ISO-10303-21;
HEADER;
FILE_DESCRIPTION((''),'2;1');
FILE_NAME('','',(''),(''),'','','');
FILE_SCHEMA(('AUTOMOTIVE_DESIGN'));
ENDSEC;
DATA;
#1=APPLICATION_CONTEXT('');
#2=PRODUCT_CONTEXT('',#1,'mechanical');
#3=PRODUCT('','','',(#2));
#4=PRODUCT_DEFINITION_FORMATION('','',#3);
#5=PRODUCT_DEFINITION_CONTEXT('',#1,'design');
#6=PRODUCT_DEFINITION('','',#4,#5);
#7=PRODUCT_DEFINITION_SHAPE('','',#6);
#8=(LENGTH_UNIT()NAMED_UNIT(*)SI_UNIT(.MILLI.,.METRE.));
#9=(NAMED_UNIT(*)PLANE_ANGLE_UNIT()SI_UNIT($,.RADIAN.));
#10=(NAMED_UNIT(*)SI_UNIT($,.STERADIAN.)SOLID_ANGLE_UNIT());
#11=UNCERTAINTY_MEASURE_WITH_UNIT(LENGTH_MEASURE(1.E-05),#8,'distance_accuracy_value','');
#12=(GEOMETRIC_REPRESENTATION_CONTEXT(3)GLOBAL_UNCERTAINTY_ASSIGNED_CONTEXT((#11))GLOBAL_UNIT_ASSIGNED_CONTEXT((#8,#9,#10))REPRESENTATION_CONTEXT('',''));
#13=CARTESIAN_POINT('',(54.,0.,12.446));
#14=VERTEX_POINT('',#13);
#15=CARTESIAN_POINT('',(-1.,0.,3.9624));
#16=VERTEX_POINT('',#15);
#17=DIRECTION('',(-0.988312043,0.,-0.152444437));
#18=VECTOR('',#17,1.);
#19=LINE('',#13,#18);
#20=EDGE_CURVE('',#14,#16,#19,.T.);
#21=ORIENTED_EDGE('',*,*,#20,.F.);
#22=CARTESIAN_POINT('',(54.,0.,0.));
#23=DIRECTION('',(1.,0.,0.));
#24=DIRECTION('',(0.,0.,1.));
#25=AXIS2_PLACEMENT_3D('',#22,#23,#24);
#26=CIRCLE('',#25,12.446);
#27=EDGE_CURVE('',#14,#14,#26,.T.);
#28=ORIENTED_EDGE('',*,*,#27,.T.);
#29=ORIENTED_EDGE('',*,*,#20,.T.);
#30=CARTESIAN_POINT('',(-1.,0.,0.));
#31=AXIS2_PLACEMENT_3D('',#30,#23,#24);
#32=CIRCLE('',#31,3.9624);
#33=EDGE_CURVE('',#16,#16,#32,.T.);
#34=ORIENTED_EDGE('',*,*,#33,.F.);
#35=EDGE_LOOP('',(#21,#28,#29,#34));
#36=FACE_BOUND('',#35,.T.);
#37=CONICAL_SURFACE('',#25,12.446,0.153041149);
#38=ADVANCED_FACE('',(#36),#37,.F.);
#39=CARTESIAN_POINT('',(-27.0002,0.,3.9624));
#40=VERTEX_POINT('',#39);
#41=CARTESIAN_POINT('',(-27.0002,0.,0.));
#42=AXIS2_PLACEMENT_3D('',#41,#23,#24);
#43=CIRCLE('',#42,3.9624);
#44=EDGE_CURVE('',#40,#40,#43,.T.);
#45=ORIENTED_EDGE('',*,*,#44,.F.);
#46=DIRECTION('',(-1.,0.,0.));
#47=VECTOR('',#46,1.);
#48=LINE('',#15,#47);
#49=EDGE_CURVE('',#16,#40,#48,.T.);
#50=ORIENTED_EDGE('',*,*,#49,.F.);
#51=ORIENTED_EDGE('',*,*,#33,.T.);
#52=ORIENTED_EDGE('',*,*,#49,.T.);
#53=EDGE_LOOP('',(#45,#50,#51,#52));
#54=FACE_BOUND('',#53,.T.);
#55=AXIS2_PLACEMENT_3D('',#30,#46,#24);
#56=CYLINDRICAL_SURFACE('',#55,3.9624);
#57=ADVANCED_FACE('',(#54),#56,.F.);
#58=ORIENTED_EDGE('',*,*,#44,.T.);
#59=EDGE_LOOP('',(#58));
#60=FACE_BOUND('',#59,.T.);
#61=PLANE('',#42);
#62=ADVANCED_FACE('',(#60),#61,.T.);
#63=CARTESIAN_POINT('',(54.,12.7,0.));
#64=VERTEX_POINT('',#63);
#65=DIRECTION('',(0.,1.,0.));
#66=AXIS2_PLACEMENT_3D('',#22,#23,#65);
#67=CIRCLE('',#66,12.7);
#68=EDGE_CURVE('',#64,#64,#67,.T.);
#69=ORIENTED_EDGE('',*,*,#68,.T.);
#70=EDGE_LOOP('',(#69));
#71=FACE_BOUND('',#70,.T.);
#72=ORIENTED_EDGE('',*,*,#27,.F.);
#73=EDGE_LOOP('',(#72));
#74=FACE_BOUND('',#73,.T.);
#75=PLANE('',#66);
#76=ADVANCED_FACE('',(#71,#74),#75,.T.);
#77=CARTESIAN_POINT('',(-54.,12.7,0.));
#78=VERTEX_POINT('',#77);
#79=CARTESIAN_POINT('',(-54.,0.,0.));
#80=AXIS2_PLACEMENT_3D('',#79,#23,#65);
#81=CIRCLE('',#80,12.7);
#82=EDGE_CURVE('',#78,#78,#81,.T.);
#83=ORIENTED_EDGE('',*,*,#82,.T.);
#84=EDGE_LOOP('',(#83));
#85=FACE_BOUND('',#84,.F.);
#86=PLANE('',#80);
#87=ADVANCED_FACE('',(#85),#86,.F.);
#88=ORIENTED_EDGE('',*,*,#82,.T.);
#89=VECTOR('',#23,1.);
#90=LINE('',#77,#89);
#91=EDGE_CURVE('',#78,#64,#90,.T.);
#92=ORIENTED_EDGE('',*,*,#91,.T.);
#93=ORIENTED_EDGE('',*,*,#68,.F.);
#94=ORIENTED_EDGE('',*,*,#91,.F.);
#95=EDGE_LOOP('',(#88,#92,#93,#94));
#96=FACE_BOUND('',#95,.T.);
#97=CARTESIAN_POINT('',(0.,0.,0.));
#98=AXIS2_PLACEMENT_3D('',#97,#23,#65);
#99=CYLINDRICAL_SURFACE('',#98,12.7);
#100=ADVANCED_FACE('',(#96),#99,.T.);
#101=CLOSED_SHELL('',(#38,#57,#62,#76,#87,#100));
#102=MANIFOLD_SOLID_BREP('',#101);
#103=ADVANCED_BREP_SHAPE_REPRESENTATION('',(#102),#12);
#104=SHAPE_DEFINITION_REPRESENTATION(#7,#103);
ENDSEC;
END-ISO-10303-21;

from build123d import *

# Parameters (mm, degrees)
F1_R     = 12.7
F2_DEPTH = 54


with BuildPart() as f2:
    # F1 (on Right) → F2 (new body, symmetric)
    with BuildSketch(Plane.YZ):
        Circle(F1_R)
    extrude(amount=F2_DEPTH, both=True)

    # F0 (on Front) → F3 (revolve, cut)
    with BuildSketch(Plane.XZ):
        Polygon((-27.0002, 0), (0, 0), (54, 0), (54, 12.446), (-1, 3.9624), (-27.0002, 3.9624), align=None)
    revolve(axis=Axis((-13.5001, 0, 0), (1, 0, 0)), mode=Mode.SUBTRACT)


solid = f2.part
